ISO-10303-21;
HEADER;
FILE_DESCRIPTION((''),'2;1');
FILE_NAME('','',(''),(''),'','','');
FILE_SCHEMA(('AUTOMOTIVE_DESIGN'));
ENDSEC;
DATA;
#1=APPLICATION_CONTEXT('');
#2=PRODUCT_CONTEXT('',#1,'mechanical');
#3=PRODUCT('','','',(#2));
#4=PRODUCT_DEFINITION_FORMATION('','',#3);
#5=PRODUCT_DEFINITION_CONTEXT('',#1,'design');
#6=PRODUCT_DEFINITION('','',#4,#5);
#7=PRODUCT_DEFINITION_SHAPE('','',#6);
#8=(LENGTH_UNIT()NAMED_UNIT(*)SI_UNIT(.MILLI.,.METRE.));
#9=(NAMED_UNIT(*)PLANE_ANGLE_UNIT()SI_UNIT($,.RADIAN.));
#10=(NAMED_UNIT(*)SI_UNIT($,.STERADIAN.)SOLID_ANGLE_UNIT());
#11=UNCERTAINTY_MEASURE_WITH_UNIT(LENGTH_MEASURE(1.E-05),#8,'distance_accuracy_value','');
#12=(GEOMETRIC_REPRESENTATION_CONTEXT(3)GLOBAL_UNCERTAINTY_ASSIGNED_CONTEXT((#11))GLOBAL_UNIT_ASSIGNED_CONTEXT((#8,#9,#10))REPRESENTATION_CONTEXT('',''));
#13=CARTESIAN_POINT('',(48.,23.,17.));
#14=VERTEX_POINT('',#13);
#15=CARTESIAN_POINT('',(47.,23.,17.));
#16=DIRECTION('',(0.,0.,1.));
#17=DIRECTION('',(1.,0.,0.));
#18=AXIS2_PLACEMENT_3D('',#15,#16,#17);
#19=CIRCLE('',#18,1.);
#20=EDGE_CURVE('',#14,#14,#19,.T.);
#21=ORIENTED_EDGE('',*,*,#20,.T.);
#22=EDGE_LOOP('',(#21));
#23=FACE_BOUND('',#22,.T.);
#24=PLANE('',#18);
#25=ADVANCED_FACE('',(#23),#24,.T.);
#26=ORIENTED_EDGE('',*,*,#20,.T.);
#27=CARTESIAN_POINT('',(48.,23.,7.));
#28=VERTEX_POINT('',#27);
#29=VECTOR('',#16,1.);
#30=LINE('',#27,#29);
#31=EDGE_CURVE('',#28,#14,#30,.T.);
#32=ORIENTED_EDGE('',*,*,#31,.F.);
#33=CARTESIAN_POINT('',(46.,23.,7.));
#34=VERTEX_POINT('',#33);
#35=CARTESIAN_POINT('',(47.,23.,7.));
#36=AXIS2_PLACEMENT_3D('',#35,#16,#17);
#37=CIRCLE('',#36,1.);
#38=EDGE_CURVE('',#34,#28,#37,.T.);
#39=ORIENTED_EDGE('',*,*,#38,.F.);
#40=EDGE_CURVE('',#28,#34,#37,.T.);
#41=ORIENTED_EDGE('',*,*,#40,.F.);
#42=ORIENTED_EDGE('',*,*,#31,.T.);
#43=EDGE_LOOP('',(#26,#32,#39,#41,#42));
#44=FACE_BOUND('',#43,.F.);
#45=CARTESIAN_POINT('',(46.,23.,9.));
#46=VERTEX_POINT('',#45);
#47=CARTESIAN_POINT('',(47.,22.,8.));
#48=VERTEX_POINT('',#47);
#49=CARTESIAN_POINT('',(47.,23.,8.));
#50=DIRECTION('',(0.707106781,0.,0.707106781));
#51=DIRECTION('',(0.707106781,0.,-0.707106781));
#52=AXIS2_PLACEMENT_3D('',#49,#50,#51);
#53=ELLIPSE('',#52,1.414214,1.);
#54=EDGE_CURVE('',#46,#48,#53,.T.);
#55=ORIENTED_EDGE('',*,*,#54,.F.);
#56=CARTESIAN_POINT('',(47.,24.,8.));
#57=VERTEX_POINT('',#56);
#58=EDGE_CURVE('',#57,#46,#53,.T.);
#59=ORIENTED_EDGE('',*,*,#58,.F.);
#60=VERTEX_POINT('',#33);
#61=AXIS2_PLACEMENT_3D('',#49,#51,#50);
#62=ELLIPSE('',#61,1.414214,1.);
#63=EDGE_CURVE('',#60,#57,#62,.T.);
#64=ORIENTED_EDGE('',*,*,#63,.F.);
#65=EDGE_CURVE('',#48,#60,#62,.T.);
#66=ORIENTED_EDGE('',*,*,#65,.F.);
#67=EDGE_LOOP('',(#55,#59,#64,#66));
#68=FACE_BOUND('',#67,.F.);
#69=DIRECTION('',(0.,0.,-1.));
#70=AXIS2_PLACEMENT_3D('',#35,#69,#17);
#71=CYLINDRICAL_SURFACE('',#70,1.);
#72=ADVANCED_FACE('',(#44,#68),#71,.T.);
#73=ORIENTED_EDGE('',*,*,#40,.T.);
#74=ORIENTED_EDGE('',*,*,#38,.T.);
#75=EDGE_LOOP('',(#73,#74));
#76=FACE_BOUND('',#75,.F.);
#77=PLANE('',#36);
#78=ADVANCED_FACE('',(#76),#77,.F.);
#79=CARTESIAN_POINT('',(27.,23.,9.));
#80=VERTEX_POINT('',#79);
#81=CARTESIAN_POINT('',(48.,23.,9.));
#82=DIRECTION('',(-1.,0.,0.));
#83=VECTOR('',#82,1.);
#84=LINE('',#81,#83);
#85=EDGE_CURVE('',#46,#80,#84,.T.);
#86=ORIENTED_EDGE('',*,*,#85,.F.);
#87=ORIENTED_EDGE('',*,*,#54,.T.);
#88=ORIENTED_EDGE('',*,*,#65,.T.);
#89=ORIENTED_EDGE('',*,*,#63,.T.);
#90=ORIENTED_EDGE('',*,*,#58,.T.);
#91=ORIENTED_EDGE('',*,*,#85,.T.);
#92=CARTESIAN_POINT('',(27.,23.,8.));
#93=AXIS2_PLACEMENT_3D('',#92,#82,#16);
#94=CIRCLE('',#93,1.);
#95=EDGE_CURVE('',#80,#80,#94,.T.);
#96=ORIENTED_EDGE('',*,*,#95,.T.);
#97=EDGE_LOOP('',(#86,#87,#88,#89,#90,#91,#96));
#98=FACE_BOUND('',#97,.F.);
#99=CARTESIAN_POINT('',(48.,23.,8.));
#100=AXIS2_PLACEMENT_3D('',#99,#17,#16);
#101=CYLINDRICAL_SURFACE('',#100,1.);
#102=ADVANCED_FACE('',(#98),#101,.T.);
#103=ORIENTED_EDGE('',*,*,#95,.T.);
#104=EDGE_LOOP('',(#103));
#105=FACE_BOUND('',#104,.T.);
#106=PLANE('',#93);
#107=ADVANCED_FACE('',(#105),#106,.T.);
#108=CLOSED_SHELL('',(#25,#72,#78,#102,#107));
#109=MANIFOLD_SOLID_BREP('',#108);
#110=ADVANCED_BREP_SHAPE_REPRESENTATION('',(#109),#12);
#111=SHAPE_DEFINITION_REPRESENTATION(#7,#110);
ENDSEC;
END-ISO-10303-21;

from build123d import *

# Parameters (mm, degrees)
BOX064_W          = 10
BOX064_H          = 10
BOX064_DEPTH      = 10
CYLINDER002_R     = 1
CYLINDER002_DEPTH = 9
CYLINDER001_R     = 1
CYLINDER001_DEPTH = 21
CYLINDER003_R     = 1
CYLINDER003_DEPTH = 10


with BuildPart() as box064:
    # Box064 → Box064 (new body)
    with BuildSketch(Plane(origin=(47, 14, 0), x_dir=(1, 0, 0), z_dir=(0, 0, 1))):
        with Locations((5, 5)):
            Rectangle(BOX064_W, BOX064_H)
    extrude(amount=BOX064_DEPTH)


with BuildPart() as cylinder002:
    # Cylinder002 → Cylinder002 (new body)
    with BuildSketch(Plane(origin=(47, 23, 7), x_dir=(1, 0, 0), z_dir=(0, 0, 1))):
        Circle(CYLINDER002_R)
    extrude(amount=CYLINDER002_DEPTH)


with BuildPart() as cut022:
    # Cylinder001 → Cylinder001 (new body)
    with BuildSketch(Plane(origin=(48, 23, 8), x_dir=(0, 0, 1), z_dir=(-1, 0, 0))):
        Circle(CYLINDER001_R)
    extrude(amount=CYLINDER001_DEPTH)

    # Cut021: cut Cylinder002
    add(cylinder002.part, mode=Mode.SUBTRACT)

    # Cut022: cut Box064
    add(box064.part, mode=Mode.SUBTRACT)


with BuildPart() as fusion025:
    # Cylinder003 → Cylinder003 (new body)
    with BuildSketch(Plane(origin=(47, 23, 7), x_dir=(1, 0, 0), z_dir=(0, 0, 1))):
        Circle(CYLINDER003_R)
    extrude(amount=CYLINDER003_DEPTH)

    # Fusion025: union Cut022
    add(cut022.part)


solid = fusion025.part
